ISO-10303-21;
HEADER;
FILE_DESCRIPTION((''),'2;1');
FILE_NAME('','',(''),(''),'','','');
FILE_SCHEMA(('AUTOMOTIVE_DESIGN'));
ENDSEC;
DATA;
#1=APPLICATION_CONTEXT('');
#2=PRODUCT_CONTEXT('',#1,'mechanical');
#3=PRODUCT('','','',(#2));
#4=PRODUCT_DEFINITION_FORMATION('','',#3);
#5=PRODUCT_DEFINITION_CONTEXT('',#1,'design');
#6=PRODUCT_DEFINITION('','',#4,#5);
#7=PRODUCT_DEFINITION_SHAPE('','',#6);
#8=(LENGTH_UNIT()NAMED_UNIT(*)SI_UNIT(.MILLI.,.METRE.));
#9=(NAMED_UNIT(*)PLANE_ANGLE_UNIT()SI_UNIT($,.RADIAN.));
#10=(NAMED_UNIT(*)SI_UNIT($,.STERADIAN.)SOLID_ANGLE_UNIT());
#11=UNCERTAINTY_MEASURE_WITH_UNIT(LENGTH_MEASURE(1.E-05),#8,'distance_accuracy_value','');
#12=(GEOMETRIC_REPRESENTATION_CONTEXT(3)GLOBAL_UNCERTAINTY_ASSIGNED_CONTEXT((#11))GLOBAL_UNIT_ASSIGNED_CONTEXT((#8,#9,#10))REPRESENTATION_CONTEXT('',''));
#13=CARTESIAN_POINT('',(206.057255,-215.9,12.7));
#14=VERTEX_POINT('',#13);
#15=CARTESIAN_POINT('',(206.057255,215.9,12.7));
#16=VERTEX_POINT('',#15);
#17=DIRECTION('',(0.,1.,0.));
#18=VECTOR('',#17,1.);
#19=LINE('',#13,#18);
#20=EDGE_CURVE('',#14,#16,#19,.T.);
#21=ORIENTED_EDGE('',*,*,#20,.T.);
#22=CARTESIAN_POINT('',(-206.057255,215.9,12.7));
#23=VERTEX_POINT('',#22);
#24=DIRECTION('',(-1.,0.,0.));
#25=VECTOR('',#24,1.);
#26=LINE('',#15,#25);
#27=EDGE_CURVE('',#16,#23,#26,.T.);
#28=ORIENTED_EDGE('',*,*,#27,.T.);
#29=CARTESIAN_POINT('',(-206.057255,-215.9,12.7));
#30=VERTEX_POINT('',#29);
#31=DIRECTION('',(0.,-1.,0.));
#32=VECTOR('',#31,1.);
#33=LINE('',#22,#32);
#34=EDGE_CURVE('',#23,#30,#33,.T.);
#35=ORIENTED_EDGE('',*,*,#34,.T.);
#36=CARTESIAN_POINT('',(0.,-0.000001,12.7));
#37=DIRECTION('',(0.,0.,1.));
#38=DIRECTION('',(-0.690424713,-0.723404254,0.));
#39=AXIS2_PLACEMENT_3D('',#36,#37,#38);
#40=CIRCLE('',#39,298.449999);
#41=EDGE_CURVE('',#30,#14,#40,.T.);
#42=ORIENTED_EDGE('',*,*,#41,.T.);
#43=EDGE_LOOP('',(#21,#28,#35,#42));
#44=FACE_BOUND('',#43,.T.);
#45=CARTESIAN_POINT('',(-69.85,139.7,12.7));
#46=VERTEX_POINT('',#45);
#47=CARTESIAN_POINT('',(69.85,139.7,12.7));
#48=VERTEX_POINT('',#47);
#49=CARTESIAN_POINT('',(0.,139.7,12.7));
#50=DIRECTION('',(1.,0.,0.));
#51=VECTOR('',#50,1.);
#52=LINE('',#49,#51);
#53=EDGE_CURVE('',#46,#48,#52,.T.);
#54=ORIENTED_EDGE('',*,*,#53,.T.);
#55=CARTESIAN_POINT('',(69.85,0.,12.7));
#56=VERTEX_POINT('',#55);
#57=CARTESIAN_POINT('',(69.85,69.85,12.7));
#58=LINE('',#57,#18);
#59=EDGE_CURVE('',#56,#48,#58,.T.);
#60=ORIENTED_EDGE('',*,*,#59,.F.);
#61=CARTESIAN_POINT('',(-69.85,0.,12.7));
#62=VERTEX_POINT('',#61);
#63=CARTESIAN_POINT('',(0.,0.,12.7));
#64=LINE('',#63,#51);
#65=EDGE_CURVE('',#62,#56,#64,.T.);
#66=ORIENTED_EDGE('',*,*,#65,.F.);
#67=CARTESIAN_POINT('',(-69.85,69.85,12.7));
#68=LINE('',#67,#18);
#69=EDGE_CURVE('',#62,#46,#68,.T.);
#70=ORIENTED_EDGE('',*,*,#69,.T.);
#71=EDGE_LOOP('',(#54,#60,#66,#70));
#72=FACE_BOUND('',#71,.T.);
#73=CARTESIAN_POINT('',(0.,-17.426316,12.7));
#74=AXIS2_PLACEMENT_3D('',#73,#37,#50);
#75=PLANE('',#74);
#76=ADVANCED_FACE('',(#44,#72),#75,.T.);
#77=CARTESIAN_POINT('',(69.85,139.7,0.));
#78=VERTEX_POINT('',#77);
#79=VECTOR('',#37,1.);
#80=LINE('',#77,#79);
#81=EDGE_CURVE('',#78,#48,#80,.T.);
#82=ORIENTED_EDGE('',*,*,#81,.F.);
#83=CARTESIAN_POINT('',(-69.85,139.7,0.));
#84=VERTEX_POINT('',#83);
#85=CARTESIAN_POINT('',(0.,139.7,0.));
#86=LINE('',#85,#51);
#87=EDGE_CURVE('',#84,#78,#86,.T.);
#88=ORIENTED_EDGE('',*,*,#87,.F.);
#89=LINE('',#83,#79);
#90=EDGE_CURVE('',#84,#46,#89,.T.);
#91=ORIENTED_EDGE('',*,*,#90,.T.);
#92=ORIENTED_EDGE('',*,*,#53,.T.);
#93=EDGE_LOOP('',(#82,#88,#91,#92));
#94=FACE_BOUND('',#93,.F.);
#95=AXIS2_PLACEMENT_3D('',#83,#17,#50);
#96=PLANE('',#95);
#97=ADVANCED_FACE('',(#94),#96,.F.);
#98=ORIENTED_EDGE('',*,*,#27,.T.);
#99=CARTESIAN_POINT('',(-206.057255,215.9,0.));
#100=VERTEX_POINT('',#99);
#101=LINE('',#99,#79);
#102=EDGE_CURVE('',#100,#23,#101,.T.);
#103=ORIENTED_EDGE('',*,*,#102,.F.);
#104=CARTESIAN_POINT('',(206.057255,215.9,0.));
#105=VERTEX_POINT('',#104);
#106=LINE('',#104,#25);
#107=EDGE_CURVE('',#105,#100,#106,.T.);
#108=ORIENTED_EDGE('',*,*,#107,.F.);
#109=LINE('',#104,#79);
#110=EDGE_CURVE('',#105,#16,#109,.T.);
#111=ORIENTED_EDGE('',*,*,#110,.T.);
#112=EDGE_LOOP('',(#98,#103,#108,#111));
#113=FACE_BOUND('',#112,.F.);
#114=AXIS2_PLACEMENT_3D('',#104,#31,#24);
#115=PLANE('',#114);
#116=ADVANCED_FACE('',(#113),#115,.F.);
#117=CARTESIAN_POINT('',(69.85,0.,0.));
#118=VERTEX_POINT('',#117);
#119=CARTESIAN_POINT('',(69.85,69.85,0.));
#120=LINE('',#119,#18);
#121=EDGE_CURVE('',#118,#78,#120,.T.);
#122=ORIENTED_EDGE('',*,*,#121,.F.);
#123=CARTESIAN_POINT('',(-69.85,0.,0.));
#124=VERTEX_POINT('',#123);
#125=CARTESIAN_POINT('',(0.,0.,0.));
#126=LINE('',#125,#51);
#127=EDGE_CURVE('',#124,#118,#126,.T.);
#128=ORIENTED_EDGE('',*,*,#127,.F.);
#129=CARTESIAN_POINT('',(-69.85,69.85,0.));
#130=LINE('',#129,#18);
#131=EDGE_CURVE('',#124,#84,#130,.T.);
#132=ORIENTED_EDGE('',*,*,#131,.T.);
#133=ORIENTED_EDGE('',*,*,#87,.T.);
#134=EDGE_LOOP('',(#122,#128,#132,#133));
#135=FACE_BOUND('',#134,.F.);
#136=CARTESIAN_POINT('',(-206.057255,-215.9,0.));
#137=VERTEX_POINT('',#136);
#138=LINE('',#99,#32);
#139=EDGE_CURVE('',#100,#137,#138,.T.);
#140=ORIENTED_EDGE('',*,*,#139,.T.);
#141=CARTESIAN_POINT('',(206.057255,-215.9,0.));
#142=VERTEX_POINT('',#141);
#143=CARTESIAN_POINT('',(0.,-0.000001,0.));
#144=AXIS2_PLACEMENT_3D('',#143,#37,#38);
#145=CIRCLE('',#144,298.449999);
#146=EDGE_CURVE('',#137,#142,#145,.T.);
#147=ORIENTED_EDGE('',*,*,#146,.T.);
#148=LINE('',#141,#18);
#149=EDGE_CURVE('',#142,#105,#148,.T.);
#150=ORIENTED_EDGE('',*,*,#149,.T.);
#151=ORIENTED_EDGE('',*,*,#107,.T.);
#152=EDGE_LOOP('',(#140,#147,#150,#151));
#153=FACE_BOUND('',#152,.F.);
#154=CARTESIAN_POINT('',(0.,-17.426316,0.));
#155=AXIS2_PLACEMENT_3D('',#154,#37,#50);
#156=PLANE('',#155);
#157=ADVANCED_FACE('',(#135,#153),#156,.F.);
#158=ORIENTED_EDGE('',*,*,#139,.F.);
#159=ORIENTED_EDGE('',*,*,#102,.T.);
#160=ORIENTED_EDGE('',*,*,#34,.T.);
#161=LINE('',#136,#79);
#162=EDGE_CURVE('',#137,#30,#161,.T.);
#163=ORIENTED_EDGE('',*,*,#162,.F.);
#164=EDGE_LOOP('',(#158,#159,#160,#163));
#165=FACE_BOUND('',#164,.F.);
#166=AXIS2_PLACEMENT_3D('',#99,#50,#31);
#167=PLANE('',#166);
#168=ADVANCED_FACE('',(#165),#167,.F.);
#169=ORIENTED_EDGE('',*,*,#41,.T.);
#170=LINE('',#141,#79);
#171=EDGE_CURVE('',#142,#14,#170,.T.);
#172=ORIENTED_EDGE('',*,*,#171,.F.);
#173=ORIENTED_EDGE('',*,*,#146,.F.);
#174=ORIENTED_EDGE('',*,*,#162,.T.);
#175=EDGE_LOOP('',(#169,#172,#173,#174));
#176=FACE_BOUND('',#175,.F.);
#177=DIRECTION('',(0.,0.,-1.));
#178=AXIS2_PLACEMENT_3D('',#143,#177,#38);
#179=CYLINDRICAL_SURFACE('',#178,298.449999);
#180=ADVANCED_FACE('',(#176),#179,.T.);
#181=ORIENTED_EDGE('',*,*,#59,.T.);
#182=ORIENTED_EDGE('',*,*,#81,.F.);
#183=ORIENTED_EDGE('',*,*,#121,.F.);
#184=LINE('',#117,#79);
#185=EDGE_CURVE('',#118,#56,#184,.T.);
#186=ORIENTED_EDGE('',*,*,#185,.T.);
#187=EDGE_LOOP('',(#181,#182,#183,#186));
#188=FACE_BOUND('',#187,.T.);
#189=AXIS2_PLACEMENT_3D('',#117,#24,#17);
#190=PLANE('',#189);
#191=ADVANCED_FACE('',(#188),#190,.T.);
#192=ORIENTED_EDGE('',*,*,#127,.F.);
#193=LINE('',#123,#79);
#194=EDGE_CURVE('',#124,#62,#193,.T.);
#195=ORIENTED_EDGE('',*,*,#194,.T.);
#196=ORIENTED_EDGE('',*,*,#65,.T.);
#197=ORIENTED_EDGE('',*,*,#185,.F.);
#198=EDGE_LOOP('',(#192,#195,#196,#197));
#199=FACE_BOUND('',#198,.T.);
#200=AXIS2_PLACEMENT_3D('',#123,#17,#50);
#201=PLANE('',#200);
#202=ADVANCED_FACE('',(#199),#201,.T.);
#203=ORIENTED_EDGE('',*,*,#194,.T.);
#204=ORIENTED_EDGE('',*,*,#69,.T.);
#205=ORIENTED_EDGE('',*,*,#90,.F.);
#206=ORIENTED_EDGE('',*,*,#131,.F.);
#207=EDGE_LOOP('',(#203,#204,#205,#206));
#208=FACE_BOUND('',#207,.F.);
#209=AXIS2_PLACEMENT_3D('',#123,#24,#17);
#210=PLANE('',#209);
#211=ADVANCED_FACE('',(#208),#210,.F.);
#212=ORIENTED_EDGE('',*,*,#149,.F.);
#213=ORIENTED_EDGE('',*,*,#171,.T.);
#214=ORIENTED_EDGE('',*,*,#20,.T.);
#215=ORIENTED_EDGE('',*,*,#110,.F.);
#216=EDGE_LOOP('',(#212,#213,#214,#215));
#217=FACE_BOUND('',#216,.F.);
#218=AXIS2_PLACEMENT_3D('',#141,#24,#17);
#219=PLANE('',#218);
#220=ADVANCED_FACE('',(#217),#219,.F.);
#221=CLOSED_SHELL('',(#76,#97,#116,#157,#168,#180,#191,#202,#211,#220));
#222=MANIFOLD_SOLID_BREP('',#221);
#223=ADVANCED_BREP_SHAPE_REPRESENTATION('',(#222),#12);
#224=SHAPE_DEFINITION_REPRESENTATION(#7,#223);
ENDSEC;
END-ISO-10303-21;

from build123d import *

# Parameters (mm, degrees)
F0_W     = 139.7
F0_H     = 139.7
F1_DEPTH = 12.7
F2_DEPTH = 12.7


with BuildPart() as f1:
    # F0 (on Top) → F1 (new body)
    with BuildSketch(Plane.XY):
        with BuildLine():
            Line((-206.057255, 215.9), (-206.057255, -215.9))
            ThreePointArc((-206.057255, -215.9), (0, -298.45), (206.057255, -215.9))
            Line((206.057255, -215.9), (206.057255, 215.9))
            Line((206.057255, 215.9), (-206.057255, 215.9))
        make_face()
        with Locations((0, 69.85)):
            Rectangle(F0_W, F0_H, mode=Mode.SUBTRACT)
    extrude(amount=F1_DEPTH)

    # F0 (on Top) → F2 (join)
    with BuildSketch(Plane.XY):
        with BuildLine():
            Line((-206.057255, 215.9), (-206.057255, -215.9))
            ThreePointArc((-206.057255, -215.9), (0, -298.45), (206.057255, -215.9))
            Line((206.057255, -215.9), (206.057255, 215.9))
            Line((206.057255, 215.9), (-206.057255, 215.9))
        make_face()
        with Locations((0, 69.85)):
            Rectangle(F0_W, F0_H, mode=Mode.SUBTRACT)
    extrude(amount=F2_DEPTH)


solid = f1.part
